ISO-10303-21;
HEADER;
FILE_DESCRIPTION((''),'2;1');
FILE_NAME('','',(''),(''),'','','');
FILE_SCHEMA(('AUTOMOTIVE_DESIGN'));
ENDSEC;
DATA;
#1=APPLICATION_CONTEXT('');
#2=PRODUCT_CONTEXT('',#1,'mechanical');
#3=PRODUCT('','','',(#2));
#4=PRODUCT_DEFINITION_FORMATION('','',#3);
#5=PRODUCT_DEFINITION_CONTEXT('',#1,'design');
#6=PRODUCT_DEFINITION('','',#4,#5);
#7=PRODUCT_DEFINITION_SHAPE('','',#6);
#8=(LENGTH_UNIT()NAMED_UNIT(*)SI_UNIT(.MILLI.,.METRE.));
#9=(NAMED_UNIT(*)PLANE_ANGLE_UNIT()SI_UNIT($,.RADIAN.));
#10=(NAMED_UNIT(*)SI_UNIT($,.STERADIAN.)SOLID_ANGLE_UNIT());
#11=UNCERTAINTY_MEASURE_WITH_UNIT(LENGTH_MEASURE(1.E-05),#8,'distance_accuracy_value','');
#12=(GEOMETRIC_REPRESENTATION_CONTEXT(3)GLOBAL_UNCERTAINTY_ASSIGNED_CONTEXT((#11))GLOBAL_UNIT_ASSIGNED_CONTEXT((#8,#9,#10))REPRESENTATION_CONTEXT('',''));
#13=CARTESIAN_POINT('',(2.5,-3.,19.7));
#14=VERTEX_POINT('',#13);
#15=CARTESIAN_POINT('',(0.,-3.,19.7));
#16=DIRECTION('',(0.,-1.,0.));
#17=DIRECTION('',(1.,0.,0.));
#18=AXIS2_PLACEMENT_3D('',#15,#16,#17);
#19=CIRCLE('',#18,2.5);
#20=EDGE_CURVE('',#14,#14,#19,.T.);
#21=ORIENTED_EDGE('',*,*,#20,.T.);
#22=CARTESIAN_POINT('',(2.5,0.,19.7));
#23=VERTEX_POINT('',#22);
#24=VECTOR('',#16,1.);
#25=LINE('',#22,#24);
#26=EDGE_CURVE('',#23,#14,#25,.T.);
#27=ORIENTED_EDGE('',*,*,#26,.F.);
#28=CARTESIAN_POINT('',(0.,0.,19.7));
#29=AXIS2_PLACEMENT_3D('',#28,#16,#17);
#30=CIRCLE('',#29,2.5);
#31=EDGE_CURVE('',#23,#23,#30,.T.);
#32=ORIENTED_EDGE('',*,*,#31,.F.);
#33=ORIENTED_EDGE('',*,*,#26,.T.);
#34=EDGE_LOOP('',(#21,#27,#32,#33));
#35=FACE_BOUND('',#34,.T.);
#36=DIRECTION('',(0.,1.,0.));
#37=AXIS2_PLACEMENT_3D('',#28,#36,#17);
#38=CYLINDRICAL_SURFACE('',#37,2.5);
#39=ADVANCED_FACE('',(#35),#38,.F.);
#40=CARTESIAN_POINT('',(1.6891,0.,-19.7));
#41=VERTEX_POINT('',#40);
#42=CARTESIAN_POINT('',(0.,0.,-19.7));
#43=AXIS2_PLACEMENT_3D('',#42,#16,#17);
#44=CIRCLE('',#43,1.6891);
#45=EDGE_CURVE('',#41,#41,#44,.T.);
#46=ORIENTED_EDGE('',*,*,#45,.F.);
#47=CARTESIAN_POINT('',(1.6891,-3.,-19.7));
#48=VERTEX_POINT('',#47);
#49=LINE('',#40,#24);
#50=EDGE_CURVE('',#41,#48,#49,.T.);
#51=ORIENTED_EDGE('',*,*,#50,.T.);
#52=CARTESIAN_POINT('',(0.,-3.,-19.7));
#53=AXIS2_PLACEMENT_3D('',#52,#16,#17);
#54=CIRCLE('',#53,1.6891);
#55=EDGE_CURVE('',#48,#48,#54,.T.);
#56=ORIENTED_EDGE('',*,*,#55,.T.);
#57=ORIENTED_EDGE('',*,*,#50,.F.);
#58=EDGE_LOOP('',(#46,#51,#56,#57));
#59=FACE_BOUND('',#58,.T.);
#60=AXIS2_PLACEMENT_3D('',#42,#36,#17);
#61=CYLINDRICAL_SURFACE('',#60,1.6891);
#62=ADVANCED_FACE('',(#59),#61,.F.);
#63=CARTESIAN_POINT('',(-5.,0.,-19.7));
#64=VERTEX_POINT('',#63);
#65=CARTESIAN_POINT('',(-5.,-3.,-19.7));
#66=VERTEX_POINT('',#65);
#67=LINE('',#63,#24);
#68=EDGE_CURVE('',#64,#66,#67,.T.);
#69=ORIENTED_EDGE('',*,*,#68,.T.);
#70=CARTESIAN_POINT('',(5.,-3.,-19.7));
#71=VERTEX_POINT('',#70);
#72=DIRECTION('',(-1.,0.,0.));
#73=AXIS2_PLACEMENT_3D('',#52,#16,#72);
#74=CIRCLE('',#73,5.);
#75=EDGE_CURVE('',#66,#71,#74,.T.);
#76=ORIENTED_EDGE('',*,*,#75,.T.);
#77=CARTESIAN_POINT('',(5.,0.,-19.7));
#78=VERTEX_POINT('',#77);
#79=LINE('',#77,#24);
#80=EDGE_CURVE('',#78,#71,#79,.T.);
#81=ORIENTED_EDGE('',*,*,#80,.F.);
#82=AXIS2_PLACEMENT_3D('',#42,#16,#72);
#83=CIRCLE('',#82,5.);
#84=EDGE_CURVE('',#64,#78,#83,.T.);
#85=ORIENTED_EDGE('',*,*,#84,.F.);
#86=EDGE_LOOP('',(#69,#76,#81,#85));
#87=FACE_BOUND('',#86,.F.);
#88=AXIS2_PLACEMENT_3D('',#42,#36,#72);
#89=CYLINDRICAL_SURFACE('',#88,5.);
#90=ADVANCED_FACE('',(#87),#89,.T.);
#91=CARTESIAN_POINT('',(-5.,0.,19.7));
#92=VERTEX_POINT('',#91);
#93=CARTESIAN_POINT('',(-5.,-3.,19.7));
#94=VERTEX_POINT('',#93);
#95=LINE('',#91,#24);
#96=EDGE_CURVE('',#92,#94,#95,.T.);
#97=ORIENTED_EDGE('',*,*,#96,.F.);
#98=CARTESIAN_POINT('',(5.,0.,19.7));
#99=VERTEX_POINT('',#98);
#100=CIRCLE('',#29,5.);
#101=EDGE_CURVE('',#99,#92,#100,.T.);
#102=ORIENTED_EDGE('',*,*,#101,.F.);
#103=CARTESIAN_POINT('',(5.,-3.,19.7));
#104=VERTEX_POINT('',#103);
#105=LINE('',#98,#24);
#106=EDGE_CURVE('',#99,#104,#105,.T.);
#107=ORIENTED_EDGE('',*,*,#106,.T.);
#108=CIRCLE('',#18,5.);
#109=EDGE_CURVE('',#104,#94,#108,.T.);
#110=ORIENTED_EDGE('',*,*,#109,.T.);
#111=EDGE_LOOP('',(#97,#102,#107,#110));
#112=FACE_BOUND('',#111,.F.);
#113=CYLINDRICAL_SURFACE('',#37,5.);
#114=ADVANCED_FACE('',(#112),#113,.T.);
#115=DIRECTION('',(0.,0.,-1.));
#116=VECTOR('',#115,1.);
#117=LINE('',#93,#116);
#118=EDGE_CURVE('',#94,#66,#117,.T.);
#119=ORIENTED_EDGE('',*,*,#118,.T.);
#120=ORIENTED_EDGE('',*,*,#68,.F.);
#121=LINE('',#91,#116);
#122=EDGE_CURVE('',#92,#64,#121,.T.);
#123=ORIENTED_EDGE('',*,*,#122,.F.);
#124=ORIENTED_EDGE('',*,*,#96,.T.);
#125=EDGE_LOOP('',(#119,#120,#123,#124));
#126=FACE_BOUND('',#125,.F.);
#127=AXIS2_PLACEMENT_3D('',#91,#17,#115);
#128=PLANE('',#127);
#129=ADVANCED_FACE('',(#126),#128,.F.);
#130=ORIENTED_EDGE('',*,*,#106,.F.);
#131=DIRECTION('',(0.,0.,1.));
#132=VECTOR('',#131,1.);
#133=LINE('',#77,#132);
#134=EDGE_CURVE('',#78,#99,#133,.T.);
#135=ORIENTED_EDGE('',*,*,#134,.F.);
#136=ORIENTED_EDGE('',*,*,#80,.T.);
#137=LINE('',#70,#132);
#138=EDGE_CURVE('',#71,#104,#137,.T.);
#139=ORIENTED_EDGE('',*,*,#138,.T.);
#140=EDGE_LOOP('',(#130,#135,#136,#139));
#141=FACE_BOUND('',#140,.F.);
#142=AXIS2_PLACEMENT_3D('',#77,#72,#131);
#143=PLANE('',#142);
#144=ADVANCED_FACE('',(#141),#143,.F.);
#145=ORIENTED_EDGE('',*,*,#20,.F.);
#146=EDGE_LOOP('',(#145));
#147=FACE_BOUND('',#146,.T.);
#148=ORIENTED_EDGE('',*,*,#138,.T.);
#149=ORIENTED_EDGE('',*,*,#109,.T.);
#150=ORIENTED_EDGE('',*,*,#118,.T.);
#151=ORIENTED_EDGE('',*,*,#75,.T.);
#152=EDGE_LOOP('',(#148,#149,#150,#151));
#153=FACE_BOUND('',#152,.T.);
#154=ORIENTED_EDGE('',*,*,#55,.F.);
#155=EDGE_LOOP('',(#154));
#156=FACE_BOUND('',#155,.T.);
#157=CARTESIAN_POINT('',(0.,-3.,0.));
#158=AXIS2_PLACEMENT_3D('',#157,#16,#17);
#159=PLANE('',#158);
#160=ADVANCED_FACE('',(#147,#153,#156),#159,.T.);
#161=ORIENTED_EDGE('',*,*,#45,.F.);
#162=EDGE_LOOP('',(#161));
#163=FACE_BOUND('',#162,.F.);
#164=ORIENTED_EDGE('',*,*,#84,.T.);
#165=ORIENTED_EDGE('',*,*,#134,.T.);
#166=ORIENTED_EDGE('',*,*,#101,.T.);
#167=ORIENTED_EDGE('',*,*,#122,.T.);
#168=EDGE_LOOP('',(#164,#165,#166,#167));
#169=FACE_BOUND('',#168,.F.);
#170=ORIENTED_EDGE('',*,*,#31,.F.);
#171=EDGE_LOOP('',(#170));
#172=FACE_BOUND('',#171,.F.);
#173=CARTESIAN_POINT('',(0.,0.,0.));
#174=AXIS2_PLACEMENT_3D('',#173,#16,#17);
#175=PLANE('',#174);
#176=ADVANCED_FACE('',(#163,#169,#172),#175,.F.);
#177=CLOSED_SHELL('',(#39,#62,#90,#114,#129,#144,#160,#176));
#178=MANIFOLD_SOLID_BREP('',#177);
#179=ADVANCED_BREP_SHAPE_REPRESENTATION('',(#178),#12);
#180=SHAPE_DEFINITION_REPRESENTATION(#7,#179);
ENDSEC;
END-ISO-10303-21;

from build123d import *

# Parameters (mm, degrees)
F0_R     = 1.6891
F0_R_2   = 2.5
F1_DEPTH = 3


with BuildPart() as f1:
    # F0 (on Front) → F1 (new body)
    with BuildSketch(Plane.XZ):
        with BuildLine():
            ThreePointArc((-5, -19.7), (0, -24.7), (5, -19.7))
            Line((5, -19.7), (5, 19.7))
            ThreePointArc((5, 19.7), (0, 24.7), (-5, 19.7))
            Line((-5, 19.7), (-5, -19.7))
        make_face()
        with Locations((0, -19.7)):
            Circle(F0_R, mode=Mode.SUBTRACT)
        with Locations((0, 19.7)):
            Circle(F0_R_2, mode=Mode.SUBTRACT)
    extrude(amount=F1_DEPTH)


solid = f1.part
